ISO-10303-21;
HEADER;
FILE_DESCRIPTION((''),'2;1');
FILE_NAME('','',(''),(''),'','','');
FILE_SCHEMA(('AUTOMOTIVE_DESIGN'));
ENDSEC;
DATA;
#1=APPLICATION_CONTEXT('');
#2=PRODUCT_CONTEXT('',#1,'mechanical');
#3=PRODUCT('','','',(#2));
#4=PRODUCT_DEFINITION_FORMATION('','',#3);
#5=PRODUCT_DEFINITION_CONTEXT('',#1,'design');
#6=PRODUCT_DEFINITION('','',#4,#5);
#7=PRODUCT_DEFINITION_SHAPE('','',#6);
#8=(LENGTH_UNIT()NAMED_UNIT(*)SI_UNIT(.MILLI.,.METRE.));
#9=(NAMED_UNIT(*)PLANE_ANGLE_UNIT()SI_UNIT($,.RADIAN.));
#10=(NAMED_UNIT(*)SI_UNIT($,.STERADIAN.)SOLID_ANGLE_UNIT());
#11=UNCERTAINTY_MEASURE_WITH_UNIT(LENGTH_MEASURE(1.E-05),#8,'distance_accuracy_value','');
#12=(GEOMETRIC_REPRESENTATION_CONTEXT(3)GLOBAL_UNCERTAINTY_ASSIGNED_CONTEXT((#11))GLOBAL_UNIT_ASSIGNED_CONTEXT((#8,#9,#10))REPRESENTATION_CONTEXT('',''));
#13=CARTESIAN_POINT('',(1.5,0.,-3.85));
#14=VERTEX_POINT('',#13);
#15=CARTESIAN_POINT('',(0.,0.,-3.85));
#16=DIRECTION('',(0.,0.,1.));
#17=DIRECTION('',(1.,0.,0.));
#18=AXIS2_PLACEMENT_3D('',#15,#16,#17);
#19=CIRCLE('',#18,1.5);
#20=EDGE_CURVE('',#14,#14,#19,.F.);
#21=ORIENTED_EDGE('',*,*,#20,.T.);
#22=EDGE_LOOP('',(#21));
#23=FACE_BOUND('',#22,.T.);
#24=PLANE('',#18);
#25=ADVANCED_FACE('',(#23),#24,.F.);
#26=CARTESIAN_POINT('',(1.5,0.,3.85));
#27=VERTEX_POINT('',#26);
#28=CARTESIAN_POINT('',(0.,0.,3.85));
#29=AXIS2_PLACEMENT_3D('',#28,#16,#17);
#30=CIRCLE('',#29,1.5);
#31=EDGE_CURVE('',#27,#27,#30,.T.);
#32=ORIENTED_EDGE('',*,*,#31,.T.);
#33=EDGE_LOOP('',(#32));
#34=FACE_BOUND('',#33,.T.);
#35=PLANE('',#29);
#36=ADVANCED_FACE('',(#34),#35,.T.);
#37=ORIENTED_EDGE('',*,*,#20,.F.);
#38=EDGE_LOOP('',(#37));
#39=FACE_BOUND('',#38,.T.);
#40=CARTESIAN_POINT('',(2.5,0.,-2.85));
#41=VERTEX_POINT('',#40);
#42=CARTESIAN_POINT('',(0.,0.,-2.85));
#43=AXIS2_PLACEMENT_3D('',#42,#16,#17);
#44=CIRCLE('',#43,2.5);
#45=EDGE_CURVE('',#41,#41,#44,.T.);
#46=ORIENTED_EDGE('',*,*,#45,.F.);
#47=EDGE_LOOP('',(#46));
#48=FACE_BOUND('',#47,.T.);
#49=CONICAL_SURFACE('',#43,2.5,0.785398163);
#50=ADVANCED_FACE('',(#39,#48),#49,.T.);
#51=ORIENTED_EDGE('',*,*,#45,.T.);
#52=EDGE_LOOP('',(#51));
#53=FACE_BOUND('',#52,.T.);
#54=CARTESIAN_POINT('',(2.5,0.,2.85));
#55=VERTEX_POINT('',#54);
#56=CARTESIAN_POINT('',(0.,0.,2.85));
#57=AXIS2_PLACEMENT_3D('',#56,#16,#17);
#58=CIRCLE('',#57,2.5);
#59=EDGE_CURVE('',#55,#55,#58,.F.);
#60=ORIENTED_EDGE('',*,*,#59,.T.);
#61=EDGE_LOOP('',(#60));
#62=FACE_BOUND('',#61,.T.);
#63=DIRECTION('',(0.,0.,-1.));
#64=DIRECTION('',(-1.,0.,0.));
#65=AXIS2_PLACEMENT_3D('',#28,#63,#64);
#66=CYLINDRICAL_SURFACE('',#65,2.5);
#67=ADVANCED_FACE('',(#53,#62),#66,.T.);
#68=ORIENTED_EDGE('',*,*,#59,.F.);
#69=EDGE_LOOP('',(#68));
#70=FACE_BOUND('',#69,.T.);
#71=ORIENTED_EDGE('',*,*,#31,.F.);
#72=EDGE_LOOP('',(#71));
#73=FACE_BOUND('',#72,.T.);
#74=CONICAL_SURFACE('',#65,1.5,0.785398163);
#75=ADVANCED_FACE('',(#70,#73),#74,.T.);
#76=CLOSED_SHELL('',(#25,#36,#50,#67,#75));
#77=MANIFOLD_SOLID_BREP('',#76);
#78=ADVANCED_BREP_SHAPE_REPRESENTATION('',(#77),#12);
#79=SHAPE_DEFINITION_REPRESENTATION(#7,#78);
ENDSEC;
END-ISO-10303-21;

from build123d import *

# Parameters (mm, degrees)
ESQUISSE1_R          = 2.5
BASE_EXTRUSION_DEPTH = 3.85
CHANFREIN1_SIZE      = 1


with BuildPart() as part:
    # Esquisse1 → Base-Extrusion (new body, symmetric)
    with BuildSketch(Plane.XY):
        Circle(ESQUISSE1_R)
    extrude(amount=BASE_EXTRUSION_DEPTH, both=True)

    # Chanfrein1
    chanfrein1_edges = [part.edges().sort_by_distance(p)[0] for p in [
        (-2.5, 0, -3.85),
        (-2.5, 0, 3.85),
    ]]
    chamfer(chanfrein1_edges, length=CHANFREIN1_SIZE)


solid = part.part
